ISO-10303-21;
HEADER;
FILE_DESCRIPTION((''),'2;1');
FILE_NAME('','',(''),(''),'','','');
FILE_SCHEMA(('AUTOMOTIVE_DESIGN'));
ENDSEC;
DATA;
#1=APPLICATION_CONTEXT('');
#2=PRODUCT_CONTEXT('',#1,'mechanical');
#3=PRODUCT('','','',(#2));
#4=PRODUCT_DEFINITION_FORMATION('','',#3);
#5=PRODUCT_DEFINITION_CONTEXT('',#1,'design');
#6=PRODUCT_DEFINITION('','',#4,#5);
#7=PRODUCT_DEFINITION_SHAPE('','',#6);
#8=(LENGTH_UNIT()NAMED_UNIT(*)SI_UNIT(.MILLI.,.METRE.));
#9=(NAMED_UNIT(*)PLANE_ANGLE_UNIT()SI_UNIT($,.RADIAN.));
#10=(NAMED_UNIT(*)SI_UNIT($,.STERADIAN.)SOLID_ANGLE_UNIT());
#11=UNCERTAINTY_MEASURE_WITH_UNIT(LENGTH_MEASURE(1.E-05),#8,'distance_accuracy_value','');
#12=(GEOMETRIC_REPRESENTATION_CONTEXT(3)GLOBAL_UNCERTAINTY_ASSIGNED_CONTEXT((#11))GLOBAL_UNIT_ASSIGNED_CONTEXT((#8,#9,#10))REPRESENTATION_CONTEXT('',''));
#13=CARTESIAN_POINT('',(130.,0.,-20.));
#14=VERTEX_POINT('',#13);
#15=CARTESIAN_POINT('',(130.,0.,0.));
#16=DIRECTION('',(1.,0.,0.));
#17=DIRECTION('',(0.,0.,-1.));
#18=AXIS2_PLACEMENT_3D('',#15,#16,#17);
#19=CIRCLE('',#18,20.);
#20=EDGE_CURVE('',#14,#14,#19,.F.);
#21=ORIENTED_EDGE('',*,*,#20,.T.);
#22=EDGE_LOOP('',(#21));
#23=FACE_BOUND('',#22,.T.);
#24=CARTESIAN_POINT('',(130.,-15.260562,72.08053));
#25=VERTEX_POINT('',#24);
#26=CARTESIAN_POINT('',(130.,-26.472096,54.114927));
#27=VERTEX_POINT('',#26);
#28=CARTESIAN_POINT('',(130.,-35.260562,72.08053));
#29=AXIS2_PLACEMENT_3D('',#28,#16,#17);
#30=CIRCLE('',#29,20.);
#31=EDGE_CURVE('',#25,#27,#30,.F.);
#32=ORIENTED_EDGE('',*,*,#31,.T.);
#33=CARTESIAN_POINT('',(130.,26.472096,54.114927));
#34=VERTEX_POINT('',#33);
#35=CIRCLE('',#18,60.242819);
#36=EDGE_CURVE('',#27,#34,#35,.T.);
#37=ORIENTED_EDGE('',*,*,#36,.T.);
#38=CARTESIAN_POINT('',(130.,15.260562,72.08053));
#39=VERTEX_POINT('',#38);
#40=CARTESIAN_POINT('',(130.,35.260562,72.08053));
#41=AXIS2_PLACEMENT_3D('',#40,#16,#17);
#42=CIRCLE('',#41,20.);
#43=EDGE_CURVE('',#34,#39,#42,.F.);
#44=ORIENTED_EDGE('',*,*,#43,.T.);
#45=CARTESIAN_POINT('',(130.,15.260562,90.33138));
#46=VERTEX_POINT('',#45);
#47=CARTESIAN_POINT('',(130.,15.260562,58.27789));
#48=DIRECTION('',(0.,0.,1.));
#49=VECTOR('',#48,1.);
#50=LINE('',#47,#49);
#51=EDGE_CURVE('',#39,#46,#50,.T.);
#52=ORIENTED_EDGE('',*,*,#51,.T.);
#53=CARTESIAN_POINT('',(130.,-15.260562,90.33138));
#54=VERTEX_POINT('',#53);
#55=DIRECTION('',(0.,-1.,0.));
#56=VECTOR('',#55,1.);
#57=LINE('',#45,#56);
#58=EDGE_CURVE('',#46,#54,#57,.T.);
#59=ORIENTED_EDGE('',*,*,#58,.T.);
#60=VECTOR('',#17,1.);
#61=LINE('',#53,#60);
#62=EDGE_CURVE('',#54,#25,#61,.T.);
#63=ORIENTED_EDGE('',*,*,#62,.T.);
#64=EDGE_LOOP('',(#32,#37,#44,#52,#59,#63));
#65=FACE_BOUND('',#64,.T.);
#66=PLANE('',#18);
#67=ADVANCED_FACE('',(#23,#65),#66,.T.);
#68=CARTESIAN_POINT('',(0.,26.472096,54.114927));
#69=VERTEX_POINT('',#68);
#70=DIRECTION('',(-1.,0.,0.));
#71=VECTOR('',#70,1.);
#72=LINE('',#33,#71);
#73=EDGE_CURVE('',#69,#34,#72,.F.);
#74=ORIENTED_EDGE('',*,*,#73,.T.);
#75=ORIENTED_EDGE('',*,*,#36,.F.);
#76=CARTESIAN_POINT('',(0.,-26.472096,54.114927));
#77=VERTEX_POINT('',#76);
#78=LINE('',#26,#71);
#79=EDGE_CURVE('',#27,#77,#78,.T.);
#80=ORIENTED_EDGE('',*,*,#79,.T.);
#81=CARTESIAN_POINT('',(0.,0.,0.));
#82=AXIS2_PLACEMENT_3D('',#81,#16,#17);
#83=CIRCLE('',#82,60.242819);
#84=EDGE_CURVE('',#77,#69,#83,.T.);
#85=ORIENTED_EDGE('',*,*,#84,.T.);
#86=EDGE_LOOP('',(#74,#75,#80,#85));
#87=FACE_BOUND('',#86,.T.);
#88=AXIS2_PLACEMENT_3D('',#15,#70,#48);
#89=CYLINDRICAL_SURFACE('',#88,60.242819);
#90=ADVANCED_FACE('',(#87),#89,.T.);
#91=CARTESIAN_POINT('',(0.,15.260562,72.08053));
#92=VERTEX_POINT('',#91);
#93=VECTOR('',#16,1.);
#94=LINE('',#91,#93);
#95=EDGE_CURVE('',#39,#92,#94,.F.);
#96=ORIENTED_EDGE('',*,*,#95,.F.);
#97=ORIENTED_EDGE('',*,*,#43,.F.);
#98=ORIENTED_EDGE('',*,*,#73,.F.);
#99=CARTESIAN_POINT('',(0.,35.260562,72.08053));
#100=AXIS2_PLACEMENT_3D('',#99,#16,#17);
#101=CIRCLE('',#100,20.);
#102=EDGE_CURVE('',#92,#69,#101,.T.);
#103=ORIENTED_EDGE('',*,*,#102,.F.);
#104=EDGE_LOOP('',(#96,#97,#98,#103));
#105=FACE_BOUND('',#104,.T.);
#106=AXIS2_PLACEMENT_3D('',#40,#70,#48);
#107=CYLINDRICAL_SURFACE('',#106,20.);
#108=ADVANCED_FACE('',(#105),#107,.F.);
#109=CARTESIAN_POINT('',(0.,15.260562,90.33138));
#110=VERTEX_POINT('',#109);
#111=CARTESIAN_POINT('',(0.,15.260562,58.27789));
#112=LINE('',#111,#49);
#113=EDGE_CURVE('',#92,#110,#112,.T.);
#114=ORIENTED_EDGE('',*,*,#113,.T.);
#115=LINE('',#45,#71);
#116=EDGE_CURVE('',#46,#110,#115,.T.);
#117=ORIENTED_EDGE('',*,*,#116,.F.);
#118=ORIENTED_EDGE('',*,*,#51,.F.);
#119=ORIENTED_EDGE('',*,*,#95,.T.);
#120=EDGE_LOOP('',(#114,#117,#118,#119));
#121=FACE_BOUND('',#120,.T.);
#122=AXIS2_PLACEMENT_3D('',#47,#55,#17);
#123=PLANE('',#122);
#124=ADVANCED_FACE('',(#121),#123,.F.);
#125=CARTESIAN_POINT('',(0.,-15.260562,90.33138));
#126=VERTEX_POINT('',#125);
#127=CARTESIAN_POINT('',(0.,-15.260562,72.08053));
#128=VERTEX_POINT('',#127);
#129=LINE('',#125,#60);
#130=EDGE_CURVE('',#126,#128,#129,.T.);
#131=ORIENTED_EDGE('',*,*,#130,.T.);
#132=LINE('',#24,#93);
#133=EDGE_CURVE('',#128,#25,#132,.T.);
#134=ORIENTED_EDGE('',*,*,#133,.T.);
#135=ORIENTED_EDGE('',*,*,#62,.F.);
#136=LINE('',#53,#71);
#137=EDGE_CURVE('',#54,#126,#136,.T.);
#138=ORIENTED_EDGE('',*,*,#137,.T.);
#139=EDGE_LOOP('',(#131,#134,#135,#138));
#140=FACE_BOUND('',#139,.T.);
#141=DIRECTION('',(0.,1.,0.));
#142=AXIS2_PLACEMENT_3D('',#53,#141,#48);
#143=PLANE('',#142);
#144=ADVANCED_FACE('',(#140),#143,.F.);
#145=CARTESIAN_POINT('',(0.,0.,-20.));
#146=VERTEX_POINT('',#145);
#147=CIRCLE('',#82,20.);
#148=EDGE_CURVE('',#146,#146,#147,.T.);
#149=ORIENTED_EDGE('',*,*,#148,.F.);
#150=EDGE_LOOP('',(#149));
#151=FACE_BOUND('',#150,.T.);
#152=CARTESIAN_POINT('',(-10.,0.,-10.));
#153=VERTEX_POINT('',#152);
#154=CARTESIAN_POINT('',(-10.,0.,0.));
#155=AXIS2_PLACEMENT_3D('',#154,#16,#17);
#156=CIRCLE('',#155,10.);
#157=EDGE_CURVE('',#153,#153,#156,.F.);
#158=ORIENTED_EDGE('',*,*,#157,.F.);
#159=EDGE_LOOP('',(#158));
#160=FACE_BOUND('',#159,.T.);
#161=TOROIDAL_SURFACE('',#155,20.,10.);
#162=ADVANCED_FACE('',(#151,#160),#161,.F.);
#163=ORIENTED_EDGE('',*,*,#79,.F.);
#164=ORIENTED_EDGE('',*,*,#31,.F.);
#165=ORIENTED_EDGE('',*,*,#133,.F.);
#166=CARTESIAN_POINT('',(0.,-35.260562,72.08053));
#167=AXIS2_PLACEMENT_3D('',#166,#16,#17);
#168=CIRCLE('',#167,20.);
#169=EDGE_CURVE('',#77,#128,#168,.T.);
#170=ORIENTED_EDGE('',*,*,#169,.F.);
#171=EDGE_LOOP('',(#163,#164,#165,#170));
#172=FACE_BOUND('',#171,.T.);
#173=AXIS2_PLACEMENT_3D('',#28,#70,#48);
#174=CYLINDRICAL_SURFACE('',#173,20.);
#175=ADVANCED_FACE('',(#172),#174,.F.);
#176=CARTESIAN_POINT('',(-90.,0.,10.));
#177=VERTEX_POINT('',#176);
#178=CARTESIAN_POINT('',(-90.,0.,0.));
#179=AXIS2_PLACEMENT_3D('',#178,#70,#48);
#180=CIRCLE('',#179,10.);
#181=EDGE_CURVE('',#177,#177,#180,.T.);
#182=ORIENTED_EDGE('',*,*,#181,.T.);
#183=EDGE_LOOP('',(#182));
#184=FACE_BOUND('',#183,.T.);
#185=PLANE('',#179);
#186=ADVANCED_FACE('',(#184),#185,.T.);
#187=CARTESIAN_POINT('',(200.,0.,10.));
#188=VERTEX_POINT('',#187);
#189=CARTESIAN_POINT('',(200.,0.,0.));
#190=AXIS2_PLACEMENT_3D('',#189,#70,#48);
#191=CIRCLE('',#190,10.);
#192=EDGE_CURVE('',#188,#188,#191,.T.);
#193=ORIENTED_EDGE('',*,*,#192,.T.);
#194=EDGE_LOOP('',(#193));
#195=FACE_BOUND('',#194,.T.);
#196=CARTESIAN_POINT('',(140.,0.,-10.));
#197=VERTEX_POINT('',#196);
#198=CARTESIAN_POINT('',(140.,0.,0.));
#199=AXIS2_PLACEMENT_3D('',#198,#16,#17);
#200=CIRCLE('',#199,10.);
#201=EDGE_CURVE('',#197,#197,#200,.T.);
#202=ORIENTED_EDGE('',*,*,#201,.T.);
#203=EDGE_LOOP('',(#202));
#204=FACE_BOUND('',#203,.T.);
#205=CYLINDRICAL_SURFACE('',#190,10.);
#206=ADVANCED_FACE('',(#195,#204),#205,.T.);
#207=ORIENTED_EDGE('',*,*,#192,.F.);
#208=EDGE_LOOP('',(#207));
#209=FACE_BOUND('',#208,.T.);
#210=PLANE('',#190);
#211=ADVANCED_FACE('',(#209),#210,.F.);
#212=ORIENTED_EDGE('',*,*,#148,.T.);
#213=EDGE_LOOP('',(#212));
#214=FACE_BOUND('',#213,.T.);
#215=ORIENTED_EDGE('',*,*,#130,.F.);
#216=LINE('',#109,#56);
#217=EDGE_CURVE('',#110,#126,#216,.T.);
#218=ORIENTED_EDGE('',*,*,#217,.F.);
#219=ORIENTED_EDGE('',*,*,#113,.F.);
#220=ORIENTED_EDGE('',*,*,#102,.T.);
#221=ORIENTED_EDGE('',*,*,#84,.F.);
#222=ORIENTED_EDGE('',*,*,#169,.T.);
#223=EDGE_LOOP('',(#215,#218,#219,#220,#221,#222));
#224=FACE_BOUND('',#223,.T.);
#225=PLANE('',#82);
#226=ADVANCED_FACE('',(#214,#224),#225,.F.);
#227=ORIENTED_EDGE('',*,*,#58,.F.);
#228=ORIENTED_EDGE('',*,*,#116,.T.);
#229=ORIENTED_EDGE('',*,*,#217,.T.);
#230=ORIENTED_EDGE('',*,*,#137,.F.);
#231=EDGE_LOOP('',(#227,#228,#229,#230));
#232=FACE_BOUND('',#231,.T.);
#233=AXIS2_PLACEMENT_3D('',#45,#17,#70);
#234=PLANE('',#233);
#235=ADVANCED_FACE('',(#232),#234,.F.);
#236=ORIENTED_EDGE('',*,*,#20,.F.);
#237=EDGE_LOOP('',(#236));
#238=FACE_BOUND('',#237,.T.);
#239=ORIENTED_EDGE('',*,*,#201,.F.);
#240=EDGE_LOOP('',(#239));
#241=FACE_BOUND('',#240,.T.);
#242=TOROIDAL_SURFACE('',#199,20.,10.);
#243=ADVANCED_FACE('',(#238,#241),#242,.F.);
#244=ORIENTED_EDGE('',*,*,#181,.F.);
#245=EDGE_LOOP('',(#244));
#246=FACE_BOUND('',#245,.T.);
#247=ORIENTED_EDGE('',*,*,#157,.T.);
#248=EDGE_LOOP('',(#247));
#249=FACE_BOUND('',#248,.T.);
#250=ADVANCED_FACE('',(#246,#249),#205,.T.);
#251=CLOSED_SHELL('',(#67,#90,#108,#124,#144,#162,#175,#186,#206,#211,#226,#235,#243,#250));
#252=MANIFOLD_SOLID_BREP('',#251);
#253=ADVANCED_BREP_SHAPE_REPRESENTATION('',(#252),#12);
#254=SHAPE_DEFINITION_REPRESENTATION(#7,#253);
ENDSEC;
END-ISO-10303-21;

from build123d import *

# Parameters (mm, degrees)
BOSS_EXTRUDE1_DEPTH      = 130
FILLET1_R                = 20
BOSS_EXTRUDE2_DEPTH      = 90
BOSS_EXTRUDE2_DEPTH_BACK = 200
SKETCH2_R                = 10
FILLET2_R                = 10


with BuildPart() as part:
    # Sketch1 → Boss-Extrude1 (new body)
    with BuildSketch(Plane(origin=(0, 0, 0), x_dir=(0, 0, -1), z_dir=(1, 0, 0))):
        with BuildLine():
            Line((-58.27789047, 15.260561771), (-90.331379838, 15.260561771))
            Line((-90.331379838, 15.260561771), (-90.331379838, -15.260561771))
            Line((-90.331379838, -15.260561771), (-58.27789047, -15.260561771))
            ThreePointArc((-58.27789047, -15.260561771), (60.242819184, 0), (-58.27789047, 15.260561771))
        make_face()
        with BuildLine():
            ThreePointArc((-9.539392014, -3), (10, 0), (-9.539392014, 3))
            ThreePointArc((-9.539392014, 3), (-10, 0), (-9.539392014, -3))
        make_face(mode=Mode.SUBTRACT)
    extrude(amount=BOSS_EXTRUDE1_DEPTH)

    # Fillet1
    fillet1_edges = [part.edges().sort_by_distance(p)[0] for p in [
        (65, -15.260561771, 58.27789047),
        (65, 15.260561771, 58.27789047),
    ]]
    fillet(fillet1_edges, radius=FILLET1_R)

    # Sketch2 → Boss-Extrude2 (add, two sides: drawn at the far end of the back side and taken through both)
    with BuildSketch(Plane.ZY.offset(-BOSS_EXTRUDE2_DEPTH_BACK)):
        Circle(SKETCH2_R)
    extrude(amount=BOSS_EXTRUDE2_DEPTH + BOSS_EXTRUDE2_DEPTH_BACK)

    # Fillet2
    fillet2_edges = [part.edges().sort_by_distance(p)[0] for p in [
        (130, 0, -10),
        (0, 0, -10),
    ]]
    fillet(fillet2_edges, radius=FILLET2_R)


solid = part.part
